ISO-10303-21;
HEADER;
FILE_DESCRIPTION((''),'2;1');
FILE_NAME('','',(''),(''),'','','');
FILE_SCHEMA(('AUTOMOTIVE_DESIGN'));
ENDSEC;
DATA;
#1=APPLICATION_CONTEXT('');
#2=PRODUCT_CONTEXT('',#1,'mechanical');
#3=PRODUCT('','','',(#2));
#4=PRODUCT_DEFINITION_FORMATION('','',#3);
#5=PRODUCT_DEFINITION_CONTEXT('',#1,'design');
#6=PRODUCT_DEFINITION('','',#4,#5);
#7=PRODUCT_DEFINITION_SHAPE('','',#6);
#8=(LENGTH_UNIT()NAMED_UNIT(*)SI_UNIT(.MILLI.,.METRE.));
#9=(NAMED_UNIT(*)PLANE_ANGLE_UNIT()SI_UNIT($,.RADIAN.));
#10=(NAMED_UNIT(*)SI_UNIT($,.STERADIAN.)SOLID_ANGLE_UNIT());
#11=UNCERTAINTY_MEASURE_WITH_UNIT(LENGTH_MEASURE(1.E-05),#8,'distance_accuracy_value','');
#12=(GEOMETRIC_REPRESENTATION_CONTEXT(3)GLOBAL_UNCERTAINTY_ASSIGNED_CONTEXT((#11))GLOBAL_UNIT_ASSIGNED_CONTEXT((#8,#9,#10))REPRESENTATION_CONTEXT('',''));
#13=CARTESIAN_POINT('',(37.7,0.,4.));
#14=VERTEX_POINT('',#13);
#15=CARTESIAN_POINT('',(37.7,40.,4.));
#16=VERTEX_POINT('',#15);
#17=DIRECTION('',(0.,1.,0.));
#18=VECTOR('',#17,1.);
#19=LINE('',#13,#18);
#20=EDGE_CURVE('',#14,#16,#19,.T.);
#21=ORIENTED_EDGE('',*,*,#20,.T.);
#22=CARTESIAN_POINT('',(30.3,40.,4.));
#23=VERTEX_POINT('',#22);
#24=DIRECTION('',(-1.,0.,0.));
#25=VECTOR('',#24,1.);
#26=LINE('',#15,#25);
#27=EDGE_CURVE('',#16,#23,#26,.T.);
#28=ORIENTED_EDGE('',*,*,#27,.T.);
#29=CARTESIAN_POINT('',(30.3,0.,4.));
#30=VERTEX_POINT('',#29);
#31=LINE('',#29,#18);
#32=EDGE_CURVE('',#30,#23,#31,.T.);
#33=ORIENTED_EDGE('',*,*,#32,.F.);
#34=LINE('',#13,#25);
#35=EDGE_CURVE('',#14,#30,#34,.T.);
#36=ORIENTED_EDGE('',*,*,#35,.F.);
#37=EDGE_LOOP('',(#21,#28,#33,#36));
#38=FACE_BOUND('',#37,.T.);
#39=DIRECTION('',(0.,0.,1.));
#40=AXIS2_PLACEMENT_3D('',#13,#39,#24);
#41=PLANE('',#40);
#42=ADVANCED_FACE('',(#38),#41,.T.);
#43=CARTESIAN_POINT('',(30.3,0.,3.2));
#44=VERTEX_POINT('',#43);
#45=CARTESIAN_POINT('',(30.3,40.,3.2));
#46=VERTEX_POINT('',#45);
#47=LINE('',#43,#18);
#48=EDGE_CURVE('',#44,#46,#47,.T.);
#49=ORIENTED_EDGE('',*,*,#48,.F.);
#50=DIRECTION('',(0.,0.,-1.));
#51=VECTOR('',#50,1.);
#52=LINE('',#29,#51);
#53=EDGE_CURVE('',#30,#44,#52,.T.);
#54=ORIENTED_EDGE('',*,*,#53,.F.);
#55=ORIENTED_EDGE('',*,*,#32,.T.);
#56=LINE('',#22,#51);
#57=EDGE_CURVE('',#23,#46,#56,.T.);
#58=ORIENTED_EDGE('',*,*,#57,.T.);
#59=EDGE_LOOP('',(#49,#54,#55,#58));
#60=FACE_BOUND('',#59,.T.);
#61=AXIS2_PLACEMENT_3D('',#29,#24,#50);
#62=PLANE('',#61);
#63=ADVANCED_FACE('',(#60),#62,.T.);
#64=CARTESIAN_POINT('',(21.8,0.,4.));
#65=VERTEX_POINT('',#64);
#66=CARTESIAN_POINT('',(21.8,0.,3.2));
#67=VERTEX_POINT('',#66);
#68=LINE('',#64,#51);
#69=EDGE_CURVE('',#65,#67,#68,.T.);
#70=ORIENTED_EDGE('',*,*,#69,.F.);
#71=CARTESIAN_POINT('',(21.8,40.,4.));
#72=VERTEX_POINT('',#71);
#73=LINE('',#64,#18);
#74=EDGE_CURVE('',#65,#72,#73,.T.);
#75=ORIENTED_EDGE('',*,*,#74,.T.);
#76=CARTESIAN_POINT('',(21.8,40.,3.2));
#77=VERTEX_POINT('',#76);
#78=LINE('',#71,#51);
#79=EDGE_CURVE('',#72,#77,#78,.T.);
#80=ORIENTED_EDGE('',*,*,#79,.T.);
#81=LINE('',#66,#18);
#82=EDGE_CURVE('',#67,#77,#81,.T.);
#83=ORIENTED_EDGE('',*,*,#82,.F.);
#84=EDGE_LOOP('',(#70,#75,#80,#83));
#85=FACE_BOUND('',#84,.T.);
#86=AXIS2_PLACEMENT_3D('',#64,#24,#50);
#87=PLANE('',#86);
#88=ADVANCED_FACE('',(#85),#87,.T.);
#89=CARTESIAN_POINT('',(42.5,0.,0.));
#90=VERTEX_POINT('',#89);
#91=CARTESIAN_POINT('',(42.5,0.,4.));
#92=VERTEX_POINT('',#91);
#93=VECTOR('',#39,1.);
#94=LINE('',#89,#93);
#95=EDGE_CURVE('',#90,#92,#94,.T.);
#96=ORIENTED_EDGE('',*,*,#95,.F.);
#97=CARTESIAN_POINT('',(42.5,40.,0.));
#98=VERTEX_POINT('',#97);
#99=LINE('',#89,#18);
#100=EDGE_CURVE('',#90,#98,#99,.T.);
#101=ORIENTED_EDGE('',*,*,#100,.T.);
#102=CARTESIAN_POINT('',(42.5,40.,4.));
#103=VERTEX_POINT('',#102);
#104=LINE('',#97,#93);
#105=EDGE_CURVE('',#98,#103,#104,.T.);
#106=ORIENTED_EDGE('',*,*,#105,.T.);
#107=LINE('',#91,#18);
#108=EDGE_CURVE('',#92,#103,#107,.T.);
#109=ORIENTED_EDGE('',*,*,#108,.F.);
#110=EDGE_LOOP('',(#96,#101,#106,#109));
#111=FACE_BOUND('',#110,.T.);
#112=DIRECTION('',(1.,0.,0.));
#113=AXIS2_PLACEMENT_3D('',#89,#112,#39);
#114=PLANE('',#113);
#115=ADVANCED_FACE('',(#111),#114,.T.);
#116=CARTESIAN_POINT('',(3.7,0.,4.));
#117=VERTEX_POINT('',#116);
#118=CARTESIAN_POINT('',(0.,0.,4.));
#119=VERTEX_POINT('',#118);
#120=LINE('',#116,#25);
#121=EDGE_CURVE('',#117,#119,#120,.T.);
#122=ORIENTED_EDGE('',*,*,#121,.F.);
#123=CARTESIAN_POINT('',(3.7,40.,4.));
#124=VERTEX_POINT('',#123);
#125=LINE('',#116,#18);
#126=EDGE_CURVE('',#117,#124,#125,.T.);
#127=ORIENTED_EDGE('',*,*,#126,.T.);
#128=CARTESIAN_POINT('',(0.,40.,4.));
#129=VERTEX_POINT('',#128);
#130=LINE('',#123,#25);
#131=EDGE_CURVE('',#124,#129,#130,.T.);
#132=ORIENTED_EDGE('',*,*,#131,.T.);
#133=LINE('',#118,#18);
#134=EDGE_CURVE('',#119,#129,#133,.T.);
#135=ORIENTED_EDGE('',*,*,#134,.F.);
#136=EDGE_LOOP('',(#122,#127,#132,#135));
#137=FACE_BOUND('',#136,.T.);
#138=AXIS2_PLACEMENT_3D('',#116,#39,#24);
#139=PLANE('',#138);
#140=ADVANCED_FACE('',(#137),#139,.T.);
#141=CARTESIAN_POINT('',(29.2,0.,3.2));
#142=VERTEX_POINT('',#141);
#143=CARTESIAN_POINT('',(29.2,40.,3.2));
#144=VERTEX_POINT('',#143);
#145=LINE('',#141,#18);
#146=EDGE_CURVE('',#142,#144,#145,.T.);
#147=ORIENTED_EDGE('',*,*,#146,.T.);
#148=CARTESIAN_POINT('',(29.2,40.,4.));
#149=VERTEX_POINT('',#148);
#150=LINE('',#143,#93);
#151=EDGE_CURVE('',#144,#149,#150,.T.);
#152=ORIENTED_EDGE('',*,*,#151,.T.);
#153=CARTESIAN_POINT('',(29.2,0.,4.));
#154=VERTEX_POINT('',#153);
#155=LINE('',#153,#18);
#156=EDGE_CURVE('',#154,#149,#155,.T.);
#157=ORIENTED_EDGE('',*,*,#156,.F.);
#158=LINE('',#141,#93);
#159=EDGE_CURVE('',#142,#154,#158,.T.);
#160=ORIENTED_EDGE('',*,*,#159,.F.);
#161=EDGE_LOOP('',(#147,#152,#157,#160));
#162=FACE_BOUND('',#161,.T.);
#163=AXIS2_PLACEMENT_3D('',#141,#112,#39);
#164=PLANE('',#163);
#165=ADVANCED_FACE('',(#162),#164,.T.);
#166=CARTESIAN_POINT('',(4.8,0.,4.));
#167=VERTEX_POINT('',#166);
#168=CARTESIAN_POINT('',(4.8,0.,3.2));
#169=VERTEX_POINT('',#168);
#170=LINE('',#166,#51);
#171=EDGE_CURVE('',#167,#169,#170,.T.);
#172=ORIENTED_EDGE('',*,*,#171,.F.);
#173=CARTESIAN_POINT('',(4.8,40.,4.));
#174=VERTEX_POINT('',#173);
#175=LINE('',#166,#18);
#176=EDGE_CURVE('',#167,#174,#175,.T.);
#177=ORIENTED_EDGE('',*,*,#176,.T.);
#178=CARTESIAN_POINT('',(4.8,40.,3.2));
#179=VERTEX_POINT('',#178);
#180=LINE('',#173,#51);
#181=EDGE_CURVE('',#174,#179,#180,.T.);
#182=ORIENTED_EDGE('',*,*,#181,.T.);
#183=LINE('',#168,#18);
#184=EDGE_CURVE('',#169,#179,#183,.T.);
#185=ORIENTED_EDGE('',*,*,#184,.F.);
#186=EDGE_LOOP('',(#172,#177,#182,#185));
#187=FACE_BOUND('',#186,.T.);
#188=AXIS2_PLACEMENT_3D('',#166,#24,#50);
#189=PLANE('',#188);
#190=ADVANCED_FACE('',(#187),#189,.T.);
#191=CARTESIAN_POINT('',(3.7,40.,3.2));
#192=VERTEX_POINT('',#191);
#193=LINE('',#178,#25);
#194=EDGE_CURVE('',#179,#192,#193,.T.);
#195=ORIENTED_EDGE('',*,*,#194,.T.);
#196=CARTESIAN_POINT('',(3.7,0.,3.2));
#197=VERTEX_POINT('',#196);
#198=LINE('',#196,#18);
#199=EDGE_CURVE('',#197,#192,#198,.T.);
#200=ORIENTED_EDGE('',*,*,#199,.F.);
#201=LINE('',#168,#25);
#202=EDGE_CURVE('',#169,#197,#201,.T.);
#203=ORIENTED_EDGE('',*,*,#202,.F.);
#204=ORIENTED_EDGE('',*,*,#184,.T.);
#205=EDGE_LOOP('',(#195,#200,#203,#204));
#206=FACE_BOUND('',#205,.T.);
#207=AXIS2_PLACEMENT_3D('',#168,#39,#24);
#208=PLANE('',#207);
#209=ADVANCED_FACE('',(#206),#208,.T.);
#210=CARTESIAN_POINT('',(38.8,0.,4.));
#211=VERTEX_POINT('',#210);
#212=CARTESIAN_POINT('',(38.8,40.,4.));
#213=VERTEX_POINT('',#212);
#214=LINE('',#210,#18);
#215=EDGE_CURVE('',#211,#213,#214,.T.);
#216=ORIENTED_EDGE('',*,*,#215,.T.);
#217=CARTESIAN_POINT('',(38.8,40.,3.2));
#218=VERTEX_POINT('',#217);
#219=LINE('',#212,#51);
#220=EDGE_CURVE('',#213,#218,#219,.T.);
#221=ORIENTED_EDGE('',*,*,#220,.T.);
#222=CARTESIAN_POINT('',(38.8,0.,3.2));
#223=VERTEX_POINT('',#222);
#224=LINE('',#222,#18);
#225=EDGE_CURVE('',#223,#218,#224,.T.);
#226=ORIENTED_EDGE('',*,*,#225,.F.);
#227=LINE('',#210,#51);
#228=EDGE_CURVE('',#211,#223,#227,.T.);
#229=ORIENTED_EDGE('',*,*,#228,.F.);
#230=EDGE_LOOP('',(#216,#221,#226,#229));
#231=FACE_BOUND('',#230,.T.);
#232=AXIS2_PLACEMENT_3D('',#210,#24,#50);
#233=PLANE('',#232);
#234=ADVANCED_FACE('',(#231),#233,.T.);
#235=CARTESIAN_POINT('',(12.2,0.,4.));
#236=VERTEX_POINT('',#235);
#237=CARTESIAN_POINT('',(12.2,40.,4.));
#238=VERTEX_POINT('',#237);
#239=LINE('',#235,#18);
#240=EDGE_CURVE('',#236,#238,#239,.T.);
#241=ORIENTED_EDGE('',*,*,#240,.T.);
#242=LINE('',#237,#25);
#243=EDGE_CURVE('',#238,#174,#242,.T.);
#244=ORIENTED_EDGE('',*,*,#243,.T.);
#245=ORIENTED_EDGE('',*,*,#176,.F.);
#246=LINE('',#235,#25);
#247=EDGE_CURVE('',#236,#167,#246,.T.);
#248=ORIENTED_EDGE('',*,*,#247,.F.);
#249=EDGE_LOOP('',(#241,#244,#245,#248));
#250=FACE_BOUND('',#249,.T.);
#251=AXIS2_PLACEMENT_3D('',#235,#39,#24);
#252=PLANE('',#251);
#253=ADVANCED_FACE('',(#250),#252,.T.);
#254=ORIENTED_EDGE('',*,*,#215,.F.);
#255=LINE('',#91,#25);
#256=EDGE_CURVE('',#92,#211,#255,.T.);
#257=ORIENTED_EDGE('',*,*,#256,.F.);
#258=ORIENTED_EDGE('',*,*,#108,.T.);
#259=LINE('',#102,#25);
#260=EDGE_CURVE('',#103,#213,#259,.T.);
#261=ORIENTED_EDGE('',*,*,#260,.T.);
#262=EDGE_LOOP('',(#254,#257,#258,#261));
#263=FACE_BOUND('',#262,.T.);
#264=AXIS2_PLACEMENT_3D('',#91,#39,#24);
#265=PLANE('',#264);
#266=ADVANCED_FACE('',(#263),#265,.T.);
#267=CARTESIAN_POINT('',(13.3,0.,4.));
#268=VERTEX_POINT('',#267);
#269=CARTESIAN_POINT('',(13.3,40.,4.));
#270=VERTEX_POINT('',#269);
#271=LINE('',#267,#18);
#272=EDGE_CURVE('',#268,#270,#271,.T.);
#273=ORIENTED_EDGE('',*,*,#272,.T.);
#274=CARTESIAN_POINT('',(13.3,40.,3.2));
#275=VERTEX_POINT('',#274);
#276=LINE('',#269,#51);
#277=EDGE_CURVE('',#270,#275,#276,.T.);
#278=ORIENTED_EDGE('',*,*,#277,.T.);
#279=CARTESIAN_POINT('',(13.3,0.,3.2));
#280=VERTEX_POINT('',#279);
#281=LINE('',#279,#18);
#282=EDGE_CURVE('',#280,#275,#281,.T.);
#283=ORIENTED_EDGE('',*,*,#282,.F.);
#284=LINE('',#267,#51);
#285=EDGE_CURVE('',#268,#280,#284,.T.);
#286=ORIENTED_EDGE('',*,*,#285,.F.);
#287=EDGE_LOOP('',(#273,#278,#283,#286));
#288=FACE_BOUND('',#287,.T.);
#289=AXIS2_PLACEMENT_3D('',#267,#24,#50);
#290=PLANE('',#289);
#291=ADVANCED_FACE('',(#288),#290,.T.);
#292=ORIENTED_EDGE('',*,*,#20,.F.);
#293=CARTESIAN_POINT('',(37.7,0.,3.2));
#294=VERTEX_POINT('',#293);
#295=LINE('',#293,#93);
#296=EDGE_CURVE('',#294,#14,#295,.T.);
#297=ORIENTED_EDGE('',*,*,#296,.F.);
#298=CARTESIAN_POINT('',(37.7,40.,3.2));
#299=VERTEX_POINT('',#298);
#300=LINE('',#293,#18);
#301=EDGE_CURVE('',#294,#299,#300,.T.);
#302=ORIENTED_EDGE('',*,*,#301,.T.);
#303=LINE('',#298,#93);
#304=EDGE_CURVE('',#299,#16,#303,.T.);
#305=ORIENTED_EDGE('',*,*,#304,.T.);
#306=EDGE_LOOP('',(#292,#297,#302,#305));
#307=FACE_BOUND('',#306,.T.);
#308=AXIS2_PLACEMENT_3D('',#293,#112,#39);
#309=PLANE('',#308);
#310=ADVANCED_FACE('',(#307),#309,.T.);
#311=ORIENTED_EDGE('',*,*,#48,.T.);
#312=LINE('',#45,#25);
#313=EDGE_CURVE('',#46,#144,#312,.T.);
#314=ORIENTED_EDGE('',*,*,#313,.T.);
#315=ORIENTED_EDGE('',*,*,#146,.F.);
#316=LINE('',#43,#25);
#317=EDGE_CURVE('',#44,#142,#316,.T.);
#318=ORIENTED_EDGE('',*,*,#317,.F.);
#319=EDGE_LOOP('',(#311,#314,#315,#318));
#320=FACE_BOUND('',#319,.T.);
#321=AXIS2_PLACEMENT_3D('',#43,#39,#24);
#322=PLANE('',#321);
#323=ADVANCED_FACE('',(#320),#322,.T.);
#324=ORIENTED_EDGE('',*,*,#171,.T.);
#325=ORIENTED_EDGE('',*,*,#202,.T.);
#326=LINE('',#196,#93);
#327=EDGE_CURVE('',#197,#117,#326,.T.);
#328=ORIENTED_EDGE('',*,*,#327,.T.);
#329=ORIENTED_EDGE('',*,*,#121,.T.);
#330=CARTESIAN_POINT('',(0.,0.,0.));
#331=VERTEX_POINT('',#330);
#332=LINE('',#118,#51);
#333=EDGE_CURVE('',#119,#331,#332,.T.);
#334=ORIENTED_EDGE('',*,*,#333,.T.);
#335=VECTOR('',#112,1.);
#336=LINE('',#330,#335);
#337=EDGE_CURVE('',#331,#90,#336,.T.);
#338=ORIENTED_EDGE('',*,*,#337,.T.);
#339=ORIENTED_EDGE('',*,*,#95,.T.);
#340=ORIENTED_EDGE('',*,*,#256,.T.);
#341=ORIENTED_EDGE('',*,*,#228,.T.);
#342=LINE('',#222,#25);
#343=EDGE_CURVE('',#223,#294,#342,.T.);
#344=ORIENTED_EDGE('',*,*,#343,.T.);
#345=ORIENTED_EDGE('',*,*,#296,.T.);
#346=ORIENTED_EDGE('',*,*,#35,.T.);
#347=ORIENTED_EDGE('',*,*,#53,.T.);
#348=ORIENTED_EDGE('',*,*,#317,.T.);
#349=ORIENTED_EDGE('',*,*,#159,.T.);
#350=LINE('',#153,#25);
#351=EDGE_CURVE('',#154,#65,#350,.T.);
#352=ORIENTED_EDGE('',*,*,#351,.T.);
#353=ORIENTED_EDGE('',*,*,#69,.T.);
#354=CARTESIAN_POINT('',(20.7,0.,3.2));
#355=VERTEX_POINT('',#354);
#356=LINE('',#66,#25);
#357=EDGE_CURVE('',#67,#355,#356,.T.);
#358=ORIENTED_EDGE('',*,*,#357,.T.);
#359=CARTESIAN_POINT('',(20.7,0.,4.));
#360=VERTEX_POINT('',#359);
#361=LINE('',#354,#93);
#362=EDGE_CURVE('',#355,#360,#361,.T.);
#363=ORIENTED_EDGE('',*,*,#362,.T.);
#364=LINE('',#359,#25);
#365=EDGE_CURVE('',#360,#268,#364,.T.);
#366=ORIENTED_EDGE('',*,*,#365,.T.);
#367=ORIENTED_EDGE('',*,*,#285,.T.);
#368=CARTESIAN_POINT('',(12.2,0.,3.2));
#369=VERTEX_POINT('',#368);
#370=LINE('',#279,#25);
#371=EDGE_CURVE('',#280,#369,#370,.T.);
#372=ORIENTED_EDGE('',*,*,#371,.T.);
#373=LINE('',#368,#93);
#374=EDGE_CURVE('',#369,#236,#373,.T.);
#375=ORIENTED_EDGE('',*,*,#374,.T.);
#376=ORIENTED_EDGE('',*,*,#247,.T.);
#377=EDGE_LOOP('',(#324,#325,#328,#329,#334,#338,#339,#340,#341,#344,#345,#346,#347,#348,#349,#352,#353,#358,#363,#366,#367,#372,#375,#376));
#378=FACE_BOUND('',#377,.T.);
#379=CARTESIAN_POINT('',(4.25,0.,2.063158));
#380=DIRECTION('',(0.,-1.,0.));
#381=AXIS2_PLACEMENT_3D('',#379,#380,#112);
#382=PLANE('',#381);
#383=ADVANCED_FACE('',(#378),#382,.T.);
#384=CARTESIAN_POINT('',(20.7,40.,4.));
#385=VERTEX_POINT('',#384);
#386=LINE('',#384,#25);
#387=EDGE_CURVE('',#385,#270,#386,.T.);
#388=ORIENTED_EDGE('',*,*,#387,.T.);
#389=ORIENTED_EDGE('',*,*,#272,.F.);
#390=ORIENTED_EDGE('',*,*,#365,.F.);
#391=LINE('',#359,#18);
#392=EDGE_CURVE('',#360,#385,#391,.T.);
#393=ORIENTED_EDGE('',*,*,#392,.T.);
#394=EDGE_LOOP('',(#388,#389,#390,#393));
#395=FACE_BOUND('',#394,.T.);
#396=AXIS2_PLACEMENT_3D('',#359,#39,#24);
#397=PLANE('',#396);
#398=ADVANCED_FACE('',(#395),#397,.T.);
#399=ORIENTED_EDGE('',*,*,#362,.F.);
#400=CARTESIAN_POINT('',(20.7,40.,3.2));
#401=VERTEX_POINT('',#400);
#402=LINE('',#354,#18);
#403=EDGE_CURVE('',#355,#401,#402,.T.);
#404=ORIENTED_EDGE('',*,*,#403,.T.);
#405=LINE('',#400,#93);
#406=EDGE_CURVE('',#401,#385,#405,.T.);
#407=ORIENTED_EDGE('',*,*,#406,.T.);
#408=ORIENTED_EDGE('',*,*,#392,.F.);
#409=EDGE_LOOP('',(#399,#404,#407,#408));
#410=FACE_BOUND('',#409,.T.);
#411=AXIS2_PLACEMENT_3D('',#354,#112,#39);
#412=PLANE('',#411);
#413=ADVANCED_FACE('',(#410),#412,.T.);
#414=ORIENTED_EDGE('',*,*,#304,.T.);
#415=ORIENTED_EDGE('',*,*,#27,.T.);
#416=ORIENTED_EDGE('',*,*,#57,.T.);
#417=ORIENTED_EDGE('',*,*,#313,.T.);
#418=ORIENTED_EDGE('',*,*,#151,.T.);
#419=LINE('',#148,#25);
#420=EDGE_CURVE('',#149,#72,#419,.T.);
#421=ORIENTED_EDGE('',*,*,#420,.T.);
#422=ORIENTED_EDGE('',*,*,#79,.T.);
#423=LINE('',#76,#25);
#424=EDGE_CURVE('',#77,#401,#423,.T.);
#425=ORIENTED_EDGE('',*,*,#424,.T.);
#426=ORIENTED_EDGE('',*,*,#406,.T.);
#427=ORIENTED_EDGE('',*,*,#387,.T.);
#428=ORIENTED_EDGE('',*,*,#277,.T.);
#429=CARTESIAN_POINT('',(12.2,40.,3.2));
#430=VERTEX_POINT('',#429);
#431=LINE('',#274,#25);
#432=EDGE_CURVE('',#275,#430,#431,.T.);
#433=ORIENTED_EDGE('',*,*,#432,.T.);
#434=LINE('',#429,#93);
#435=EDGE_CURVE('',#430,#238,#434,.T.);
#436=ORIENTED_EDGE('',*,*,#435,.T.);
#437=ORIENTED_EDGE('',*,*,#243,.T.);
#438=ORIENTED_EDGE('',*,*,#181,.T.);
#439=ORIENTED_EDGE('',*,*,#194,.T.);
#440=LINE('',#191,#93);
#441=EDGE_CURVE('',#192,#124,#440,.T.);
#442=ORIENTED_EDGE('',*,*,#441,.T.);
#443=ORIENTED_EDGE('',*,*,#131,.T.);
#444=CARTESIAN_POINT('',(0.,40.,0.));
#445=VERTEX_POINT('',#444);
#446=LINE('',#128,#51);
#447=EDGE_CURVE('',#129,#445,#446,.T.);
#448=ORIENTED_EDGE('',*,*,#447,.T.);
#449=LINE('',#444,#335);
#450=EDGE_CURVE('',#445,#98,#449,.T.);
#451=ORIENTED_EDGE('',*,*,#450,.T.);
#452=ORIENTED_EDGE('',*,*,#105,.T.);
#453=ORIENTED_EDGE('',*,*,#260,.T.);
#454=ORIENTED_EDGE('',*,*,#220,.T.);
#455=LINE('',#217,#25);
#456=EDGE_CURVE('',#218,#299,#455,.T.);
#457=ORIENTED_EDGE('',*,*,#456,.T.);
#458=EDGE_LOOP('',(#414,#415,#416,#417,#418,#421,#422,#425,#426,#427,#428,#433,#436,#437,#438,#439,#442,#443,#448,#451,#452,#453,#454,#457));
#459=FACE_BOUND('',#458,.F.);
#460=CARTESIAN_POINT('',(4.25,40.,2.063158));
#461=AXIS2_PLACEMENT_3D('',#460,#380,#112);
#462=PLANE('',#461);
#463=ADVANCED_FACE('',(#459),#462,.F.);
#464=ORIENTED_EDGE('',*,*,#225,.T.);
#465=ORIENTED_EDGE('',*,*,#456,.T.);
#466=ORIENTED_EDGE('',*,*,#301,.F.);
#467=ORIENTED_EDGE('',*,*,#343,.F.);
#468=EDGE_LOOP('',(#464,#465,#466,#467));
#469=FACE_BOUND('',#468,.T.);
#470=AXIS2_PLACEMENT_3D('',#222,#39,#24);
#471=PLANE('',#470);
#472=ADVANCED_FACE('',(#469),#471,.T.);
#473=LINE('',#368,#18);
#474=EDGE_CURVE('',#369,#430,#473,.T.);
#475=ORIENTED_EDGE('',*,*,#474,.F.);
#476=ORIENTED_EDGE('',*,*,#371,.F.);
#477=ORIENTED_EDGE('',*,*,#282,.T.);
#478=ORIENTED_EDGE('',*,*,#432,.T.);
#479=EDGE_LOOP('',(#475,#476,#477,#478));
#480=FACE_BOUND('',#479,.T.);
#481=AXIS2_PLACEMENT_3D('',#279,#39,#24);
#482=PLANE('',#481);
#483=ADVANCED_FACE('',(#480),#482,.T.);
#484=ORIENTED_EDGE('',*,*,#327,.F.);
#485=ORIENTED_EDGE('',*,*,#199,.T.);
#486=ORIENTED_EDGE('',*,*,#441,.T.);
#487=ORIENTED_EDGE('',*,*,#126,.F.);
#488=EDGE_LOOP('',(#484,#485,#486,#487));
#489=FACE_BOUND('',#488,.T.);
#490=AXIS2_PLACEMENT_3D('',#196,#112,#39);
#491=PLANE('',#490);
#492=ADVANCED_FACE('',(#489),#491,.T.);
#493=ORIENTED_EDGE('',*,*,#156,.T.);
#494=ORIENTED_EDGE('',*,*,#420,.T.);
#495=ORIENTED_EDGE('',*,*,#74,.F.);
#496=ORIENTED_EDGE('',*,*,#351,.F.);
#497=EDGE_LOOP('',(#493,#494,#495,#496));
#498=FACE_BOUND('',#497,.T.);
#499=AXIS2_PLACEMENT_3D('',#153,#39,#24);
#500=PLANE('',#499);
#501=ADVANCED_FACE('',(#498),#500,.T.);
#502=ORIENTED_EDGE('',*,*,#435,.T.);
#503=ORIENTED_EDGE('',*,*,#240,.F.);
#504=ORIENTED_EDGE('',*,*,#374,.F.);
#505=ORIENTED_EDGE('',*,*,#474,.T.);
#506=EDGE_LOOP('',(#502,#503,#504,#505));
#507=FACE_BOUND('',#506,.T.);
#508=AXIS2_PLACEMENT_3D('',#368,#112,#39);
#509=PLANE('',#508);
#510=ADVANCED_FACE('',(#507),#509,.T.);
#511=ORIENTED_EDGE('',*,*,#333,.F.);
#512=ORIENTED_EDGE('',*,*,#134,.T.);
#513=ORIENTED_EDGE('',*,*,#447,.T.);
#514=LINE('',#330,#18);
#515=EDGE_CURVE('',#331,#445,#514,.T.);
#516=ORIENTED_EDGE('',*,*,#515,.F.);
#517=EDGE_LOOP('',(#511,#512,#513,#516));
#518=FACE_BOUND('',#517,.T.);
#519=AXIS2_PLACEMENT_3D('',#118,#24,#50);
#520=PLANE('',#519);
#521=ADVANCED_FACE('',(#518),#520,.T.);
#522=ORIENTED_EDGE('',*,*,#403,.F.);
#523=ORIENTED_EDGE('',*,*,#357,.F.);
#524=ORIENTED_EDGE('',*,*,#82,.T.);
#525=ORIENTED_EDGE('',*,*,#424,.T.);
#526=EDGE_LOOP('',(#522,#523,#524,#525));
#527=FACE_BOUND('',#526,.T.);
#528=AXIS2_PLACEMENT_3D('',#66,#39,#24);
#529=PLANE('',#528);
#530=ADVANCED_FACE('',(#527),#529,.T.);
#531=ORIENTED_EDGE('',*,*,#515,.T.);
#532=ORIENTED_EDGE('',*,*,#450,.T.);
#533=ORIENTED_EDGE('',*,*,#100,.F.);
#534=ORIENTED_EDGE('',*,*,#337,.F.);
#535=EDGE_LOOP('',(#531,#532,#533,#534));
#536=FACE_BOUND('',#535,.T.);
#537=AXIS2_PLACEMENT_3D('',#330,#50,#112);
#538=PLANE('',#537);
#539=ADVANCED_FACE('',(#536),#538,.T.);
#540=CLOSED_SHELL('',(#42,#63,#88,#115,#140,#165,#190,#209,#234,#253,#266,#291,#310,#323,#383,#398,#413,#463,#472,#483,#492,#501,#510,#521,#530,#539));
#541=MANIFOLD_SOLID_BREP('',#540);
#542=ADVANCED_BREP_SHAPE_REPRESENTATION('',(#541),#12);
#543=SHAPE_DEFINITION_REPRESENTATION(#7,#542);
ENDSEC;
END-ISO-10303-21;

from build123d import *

# Parameters (mm, degrees)
F1_DEPTH = 40


with BuildPart() as f1:
    # F0 (on Front) → F1 (new body)
    with BuildSketch(Plane.XZ):
        Polygon((0, 4), (0, 0), (8.5, 0), (8.5, 4), (4.8, 4), (4.8, 3.2), (3.7, 3.2), (3.7, 4), align=None)
        Polygon((8.5, 4), (8.5, 0), (17, 0), (17, 4), (13.3, 4), (13.3, 3.2), (12.2, 3.2), (12.2, 4), align=None)
        Polygon((17, 4), (17, 0), (25.5, 0), (25.5, 4), (21.8, 4), (21.8, 3.2), (20.7, 3.2), (20.7, 4), align=None)
        Polygon((25.5, 4), (25.5, 0), (34, 0), (34, 4), (30.3, 4), (30.3, 3.2), (29.2, 3.2), (29.2, 4), align=None)
        Polygon((34, 4), (34, 0), (42.5, 0), (42.5, 4), (38.8, 4), (38.8, 3.2), (37.7, 3.2), (37.7, 4), align=None)
    extrude(amount=-F1_DEPTH)


solid = f1.part
